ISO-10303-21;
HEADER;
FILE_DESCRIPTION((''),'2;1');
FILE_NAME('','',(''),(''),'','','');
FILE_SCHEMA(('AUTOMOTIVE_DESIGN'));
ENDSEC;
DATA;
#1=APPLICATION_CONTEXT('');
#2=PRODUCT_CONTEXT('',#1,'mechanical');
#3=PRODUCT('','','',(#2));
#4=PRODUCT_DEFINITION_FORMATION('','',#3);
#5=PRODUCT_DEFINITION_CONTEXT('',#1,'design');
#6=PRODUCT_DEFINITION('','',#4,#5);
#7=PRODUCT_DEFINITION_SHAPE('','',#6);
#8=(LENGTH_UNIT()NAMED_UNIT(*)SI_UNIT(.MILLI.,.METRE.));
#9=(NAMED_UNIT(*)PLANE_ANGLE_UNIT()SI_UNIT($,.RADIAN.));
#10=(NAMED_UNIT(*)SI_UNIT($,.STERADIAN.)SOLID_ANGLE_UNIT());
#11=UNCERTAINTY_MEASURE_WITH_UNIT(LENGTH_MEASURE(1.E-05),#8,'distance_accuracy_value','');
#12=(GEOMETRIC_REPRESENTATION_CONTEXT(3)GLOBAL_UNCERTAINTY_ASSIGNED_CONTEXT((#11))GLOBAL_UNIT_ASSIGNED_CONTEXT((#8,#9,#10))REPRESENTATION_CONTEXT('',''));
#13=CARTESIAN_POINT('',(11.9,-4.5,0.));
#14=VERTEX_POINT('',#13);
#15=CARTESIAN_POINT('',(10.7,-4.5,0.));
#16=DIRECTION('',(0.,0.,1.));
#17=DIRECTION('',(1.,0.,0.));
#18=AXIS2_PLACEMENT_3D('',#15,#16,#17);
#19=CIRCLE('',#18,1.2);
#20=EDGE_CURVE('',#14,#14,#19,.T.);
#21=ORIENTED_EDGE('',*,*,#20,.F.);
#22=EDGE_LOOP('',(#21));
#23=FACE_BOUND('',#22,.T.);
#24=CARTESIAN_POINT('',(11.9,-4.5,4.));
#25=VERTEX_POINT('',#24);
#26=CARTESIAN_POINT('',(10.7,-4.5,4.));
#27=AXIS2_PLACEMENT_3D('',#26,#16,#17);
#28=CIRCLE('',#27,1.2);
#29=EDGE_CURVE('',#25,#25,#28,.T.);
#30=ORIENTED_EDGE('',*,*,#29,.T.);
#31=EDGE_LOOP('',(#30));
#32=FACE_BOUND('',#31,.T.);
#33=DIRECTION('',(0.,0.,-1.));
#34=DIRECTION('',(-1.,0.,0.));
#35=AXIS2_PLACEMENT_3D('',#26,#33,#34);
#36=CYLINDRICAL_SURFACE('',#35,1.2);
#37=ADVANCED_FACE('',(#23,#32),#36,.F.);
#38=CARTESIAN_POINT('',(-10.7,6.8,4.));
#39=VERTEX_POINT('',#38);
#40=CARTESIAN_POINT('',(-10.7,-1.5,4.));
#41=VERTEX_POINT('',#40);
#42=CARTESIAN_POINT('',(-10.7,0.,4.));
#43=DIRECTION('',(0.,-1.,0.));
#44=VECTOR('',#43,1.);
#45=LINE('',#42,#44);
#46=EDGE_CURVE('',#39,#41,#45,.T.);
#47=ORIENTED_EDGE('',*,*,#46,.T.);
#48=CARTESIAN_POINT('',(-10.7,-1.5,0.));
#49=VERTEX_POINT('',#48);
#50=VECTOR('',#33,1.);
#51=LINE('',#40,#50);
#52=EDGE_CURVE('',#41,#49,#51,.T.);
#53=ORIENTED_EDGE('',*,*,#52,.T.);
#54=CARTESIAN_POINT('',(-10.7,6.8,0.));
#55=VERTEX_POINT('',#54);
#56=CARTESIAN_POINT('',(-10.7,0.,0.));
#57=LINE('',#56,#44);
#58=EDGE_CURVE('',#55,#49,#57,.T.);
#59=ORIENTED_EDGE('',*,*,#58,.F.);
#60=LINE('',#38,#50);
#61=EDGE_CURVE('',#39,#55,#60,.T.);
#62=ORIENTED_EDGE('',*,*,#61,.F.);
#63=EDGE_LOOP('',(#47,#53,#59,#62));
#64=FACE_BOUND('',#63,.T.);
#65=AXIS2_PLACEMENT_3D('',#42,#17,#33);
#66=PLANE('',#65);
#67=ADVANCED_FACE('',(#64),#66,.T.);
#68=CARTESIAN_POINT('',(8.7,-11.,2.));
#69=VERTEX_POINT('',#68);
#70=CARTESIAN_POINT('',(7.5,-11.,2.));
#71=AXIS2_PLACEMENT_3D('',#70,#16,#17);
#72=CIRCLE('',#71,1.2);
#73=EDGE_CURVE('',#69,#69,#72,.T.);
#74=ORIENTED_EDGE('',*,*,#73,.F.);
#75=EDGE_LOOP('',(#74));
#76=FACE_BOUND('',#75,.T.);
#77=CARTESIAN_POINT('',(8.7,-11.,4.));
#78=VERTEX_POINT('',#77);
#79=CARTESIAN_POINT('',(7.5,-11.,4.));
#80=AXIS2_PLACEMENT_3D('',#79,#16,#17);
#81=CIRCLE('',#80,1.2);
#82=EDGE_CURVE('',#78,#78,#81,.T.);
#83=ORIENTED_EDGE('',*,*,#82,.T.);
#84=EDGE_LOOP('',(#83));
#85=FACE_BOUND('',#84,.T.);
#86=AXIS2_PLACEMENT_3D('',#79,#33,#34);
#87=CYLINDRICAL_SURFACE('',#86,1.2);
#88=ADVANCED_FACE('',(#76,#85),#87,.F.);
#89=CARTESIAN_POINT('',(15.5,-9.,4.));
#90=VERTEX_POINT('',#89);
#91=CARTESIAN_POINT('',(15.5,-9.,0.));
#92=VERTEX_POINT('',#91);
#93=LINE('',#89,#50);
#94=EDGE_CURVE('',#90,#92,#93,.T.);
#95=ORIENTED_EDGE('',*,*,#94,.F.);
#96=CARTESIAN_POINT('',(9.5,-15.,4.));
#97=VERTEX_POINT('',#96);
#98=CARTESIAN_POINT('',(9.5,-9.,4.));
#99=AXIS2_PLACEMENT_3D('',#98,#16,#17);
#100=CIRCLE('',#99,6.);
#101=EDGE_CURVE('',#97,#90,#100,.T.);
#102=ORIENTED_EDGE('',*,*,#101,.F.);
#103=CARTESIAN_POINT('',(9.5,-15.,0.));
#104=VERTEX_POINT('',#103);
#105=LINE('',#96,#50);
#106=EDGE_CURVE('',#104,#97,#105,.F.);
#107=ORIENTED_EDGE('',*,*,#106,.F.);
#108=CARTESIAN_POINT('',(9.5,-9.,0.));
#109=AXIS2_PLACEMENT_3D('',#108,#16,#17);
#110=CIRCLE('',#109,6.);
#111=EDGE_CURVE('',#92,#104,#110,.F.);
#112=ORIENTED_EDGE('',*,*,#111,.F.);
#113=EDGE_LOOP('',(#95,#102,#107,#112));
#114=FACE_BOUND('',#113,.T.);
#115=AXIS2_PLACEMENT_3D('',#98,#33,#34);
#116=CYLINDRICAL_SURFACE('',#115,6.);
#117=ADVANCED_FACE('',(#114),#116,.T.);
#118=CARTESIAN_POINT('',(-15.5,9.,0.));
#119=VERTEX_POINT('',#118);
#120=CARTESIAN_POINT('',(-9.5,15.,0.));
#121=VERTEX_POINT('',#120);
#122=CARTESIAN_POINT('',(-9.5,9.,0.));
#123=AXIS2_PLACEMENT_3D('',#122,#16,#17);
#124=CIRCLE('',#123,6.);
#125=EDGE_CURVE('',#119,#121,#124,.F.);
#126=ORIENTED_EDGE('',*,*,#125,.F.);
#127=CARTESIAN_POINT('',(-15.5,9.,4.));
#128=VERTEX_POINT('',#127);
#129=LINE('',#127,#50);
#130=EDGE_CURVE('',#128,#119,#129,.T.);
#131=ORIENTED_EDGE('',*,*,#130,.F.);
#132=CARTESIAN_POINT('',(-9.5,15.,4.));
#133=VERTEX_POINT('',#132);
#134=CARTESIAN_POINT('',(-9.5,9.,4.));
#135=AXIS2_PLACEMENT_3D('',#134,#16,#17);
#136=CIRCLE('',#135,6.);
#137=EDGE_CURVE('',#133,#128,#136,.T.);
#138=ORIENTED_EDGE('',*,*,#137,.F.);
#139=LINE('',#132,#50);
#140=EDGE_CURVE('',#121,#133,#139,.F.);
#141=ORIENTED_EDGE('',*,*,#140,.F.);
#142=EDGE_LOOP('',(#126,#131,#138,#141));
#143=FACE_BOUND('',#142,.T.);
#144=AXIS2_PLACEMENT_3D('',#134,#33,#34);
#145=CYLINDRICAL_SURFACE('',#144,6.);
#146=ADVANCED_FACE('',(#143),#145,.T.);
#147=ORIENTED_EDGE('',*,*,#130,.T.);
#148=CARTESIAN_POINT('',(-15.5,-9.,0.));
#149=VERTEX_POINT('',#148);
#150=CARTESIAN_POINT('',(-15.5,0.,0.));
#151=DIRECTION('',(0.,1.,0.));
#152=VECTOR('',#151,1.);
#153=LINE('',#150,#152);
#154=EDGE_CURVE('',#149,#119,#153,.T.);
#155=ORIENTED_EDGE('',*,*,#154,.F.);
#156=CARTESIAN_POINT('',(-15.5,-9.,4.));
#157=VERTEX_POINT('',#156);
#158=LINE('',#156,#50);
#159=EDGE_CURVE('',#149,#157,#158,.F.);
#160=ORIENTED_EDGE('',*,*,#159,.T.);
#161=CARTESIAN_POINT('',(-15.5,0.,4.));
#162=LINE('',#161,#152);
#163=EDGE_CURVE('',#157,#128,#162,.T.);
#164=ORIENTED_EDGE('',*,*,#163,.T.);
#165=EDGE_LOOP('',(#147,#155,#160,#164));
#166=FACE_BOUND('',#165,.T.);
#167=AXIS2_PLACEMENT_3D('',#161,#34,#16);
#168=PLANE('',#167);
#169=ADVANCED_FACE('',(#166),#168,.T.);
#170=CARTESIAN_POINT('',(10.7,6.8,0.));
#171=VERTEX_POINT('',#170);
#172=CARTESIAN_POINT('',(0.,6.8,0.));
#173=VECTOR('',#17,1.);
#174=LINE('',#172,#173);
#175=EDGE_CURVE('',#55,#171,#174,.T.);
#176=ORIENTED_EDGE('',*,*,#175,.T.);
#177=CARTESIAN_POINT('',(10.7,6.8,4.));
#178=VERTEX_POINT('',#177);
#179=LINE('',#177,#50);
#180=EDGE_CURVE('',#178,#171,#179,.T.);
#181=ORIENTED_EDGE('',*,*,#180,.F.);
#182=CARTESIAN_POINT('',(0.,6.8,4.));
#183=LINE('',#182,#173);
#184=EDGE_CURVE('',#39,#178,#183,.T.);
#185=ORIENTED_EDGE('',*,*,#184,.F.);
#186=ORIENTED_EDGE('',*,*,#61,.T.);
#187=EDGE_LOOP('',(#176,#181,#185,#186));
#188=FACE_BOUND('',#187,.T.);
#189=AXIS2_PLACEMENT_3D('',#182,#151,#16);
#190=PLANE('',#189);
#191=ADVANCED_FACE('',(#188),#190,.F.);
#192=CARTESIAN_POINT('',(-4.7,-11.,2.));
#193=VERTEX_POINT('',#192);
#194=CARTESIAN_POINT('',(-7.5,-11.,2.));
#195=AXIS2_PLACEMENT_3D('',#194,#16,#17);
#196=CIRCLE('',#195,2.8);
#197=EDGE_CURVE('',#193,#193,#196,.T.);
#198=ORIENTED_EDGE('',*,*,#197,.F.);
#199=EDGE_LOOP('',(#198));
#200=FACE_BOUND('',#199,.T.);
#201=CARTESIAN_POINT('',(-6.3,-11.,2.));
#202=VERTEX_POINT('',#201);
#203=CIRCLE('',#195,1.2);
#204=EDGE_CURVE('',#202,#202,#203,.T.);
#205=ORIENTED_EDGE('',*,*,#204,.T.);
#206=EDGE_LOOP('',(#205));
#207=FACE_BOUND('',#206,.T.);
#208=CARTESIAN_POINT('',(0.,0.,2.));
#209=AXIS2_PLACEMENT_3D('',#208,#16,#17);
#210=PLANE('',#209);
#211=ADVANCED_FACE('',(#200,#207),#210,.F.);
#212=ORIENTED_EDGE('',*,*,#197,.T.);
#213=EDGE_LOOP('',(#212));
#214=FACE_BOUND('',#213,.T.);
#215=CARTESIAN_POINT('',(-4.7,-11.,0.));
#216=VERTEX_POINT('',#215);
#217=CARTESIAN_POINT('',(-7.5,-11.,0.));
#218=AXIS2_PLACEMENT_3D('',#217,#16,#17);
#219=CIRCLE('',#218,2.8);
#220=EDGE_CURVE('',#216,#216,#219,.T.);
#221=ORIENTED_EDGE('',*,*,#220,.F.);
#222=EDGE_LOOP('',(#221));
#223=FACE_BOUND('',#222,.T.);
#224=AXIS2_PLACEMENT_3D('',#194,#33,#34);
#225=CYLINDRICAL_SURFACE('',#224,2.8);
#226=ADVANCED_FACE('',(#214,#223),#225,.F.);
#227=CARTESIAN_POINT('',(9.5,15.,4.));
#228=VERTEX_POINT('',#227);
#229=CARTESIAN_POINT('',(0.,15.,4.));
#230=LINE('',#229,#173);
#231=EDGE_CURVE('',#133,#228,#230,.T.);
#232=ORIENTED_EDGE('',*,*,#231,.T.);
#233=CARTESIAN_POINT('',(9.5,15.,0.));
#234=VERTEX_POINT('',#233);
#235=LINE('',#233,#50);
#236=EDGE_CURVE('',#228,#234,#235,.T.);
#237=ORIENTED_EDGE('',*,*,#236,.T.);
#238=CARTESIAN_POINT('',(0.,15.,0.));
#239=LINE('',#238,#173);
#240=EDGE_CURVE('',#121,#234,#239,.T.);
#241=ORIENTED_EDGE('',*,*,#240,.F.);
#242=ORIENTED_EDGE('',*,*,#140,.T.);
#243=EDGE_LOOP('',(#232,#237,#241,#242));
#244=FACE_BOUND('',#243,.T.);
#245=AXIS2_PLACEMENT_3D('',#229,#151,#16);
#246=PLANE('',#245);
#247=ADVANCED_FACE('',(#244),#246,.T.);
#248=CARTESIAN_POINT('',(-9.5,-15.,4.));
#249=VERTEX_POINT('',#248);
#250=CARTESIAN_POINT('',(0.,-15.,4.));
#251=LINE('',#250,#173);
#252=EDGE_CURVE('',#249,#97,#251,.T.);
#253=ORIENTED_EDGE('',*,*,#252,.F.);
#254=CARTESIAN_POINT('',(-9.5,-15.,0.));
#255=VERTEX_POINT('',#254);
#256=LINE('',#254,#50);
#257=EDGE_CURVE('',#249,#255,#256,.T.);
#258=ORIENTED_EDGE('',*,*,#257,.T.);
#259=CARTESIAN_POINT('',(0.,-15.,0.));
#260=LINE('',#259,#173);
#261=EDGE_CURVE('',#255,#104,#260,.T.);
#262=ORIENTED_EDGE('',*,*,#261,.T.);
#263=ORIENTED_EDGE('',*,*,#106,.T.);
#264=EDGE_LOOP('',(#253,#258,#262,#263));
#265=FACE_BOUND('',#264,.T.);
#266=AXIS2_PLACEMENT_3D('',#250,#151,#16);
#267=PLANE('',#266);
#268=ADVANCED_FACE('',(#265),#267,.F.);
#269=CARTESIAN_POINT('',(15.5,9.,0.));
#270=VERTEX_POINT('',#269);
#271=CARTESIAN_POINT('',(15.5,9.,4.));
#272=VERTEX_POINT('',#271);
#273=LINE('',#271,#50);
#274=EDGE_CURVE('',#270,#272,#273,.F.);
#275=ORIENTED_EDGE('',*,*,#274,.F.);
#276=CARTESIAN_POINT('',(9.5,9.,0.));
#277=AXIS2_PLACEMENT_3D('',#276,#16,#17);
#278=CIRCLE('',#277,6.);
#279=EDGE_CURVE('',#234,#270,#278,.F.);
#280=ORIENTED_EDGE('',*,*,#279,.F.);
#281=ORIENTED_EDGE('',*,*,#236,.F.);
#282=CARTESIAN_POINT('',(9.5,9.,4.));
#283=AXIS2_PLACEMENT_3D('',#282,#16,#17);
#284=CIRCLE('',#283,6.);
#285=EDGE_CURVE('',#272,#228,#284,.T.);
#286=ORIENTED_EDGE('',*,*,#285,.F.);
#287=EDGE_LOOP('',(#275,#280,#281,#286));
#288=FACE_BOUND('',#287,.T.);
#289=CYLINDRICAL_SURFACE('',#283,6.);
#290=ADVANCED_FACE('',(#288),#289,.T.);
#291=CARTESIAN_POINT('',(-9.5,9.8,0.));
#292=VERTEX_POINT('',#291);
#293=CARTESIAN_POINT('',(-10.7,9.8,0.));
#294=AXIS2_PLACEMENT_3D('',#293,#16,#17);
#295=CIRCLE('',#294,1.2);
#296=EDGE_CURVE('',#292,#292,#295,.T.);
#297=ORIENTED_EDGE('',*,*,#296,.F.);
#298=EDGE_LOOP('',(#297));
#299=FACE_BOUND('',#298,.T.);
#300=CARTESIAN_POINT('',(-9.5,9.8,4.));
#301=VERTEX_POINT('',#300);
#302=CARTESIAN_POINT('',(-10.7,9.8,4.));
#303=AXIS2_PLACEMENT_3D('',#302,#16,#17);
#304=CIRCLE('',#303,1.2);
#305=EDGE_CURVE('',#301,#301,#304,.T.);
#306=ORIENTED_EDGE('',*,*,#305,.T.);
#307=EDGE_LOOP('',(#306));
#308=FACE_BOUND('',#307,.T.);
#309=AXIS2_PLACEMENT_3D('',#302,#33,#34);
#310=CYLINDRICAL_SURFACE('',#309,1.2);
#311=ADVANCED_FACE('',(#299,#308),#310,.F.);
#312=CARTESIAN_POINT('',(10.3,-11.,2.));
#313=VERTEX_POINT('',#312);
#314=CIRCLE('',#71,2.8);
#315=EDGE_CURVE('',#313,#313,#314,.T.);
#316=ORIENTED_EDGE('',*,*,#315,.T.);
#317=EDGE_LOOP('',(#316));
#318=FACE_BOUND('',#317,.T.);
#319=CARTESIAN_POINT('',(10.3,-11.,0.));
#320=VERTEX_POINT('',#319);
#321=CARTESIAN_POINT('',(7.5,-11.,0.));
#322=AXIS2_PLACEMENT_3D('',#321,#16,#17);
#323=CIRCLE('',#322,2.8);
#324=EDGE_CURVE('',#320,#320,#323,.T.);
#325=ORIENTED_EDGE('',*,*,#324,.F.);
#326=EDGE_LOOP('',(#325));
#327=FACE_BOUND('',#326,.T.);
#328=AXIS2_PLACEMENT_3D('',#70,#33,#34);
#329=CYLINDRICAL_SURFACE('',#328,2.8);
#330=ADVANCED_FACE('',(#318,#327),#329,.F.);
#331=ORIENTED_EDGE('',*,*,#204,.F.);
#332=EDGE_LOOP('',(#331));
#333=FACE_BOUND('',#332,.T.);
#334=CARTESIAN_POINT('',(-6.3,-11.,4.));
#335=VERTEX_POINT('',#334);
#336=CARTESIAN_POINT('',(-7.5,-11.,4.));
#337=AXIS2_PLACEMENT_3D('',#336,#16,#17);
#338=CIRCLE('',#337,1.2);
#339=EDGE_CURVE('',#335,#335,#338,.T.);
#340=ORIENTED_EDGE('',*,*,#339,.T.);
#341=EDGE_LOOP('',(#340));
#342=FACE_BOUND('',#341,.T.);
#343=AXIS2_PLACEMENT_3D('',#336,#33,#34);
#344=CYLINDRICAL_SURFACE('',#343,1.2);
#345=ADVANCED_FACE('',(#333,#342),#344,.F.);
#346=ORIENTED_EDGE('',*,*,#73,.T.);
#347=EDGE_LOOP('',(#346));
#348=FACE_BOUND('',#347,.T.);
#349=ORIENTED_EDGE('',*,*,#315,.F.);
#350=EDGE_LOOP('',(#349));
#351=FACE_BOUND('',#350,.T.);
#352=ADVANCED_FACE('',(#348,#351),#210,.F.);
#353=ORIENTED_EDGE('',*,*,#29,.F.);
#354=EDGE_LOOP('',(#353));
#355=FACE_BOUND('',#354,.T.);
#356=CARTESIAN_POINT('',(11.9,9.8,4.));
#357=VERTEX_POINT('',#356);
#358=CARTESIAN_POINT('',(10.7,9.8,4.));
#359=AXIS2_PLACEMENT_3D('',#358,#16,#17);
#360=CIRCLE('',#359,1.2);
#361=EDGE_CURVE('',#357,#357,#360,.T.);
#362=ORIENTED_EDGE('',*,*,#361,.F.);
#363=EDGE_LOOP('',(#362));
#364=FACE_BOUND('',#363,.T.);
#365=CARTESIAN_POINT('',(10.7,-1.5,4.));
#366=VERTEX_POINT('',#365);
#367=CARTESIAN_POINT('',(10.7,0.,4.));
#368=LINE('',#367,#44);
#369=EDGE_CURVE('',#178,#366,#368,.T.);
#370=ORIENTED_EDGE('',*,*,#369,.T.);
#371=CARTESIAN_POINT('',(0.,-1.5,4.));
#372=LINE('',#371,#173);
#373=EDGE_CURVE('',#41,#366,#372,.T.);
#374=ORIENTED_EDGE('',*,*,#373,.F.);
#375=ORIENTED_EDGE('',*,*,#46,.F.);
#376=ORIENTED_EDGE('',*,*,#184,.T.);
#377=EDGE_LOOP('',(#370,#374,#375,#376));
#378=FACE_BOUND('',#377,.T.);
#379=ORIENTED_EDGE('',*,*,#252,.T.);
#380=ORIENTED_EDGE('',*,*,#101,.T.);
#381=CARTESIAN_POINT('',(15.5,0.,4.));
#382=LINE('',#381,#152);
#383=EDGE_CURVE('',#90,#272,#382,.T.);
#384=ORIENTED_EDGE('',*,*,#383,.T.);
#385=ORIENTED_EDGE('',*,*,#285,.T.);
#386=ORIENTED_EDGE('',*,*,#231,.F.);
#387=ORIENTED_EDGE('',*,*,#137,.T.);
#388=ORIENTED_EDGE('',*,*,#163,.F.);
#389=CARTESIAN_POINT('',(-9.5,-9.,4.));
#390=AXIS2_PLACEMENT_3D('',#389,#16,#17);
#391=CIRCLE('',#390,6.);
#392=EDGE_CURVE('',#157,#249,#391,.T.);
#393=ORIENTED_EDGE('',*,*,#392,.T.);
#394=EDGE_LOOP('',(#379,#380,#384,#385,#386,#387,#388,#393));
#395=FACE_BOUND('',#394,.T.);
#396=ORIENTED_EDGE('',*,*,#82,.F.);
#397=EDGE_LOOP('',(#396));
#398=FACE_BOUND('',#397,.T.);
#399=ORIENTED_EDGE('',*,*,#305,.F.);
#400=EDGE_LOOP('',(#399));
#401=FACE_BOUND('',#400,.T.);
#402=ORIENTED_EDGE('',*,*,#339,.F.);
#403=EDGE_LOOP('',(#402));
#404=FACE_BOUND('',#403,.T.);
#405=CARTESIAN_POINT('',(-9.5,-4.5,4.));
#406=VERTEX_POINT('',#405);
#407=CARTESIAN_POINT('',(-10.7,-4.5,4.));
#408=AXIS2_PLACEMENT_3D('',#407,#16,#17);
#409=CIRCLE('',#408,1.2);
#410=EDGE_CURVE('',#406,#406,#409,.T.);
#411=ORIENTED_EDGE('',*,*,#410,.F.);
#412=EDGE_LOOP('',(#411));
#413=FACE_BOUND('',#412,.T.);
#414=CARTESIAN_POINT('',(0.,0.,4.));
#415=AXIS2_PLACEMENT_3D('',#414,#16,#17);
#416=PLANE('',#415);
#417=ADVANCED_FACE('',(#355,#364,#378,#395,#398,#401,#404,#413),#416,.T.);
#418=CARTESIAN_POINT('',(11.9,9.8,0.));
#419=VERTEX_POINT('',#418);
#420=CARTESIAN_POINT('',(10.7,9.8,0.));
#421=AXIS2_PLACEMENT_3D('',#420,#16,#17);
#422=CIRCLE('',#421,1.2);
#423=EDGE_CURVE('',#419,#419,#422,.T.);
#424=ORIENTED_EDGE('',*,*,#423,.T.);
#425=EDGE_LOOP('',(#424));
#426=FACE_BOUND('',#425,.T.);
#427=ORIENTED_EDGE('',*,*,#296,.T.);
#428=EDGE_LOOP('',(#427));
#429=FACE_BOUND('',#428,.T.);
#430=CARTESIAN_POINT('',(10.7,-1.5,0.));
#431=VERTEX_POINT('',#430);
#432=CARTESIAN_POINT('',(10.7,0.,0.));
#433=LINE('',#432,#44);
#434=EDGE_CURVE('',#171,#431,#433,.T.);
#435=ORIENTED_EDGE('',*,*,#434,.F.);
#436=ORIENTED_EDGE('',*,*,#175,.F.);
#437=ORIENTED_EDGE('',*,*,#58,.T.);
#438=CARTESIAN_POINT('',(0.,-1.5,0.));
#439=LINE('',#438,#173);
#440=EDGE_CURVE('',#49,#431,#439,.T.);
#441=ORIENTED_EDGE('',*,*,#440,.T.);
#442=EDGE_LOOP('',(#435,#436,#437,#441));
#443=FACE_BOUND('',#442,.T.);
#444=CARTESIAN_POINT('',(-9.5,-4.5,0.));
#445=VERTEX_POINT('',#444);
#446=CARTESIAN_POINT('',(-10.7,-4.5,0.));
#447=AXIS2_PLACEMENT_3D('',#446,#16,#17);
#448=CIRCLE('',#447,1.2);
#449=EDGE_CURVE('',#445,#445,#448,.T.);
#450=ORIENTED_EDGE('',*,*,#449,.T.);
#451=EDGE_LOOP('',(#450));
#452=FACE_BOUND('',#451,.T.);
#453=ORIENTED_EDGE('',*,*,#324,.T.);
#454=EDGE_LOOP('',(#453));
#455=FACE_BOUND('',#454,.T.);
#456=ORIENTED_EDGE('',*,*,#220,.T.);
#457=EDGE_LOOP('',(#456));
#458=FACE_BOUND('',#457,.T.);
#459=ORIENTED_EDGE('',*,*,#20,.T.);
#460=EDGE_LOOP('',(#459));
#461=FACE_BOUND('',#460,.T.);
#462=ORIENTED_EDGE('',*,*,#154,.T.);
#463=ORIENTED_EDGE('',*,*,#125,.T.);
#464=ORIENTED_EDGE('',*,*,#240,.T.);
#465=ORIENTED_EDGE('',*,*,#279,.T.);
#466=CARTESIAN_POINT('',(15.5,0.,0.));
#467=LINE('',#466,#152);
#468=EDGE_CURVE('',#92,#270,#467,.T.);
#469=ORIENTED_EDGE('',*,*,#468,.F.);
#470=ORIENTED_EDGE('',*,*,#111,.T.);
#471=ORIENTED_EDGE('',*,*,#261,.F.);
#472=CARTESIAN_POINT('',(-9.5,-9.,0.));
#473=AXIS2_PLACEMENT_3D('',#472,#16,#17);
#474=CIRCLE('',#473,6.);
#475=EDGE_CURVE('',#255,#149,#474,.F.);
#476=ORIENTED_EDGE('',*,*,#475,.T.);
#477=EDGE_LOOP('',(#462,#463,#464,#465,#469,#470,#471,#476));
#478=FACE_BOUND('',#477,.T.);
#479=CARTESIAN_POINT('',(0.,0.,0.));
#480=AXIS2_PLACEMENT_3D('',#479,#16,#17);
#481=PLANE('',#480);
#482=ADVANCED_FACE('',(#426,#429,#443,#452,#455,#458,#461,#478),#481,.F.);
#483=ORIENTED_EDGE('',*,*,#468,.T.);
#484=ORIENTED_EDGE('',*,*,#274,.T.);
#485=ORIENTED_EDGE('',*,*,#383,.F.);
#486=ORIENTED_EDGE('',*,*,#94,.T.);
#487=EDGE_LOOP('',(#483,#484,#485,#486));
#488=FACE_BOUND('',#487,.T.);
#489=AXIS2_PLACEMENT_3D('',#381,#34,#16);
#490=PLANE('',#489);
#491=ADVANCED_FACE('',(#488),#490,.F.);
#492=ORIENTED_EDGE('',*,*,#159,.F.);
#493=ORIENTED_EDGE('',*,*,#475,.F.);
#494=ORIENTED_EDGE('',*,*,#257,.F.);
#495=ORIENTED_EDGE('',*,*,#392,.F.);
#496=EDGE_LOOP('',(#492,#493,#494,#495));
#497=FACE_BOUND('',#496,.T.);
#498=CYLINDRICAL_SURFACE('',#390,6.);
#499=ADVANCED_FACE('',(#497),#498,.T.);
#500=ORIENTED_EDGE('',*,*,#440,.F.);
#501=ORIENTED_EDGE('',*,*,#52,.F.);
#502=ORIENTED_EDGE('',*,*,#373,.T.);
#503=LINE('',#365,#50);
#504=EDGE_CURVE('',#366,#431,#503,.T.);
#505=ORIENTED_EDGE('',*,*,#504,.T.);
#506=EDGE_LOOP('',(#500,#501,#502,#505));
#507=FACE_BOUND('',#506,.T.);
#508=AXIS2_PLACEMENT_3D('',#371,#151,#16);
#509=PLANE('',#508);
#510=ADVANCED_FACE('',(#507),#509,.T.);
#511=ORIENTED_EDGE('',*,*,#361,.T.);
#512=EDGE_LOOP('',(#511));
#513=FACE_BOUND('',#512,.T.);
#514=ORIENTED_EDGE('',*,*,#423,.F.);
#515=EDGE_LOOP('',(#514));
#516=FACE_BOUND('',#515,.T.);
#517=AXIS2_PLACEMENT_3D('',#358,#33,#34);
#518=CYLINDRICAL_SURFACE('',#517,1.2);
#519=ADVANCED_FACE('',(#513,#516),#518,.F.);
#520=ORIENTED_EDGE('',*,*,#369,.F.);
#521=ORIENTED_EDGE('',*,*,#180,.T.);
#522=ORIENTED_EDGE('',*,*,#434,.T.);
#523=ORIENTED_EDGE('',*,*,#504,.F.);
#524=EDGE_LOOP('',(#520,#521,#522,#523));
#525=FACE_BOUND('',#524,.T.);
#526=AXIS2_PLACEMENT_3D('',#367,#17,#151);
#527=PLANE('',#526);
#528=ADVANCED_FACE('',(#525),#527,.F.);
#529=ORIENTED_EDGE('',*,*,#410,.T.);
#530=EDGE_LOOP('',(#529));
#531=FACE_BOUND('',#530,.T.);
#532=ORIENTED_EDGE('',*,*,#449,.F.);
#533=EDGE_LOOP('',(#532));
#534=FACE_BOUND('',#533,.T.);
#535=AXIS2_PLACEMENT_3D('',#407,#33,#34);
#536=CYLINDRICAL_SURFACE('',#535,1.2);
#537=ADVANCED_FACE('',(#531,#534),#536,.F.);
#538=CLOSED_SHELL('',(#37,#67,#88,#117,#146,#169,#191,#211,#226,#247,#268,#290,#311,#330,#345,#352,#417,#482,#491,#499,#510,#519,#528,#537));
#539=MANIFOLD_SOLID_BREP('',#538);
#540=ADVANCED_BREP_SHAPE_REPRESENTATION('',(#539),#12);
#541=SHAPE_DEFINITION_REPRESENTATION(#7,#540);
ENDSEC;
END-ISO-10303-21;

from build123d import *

# Parameters (mm, degrees)
SKETCH1_W           = 31
SKETCH1_H           = 30
SKETCH1_R           = 1.2
SKETCH1_W_2         = 21.4
SKETCH1_H_2         = 8.3
BOSS_EXTRUDE1_DEPTH = 4
SKETCH1_6_R         = 2.8
SKETCH1_6_R_2       = 1.2
CUT_EXTRUDE1_DEPTH  = 2
FILLET1_R           = 6


with BuildPart() as part:
    # Sketch1 → Boss-Extrude1 (new body)
    with BuildSketch(Plane.XY):
        Rectangle(SKETCH1_W, SKETCH1_H)
        with Locations((-10.7, 9.8)):
            Circle(SKETCH1_R, mode=Mode.SUBTRACT)
        with Locations((10.7, 9.8)):
            Circle(SKETCH1_R, mode=Mode.SUBTRACT)
        with Locations((10.7, -4.5)):
            Circle(SKETCH1_R, mode=Mode.SUBTRACT)
        with Locations((-10.7, -4.5)):
            Circle(SKETCH1_R, mode=Mode.SUBTRACT)
        with Locations((-7.5, -11)):
            Circle(SKETCH1_R, mode=Mode.SUBTRACT)
        with Locations((7.5, -11)):
            Circle(SKETCH1_R, mode=Mode.SUBTRACT)
        with Locations((0, 2.65)):
            Rectangle(SKETCH1_W_2, SKETCH1_H_2, mode=Mode.SUBTRACT)
    extrude(amount=BOSS_EXTRUDE1_DEPTH)

    # Sketch1<6> → Cut-Extrude1 (cut)
    # profile 1 of 2: a face of its own
    with BuildSketch(Plane.XY):
        with Locations((-7.5, -11)):
            Circle(SKETCH1_6_R)
        with Locations((-7.5, -11)):
            Circle(SKETCH1_6_R_2, mode=Mode.SUBTRACT)
    # profile 2 of 2: a face of its own
    with BuildSketch(Plane.XY):
        with Locations((7.5, -11)):
            Circle(SKETCH1_6_R)
        with Locations((7.5, -11)):
            Circle(SKETCH1_6_R_2, mode=Mode.SUBTRACT)
    extrude(amount=CUT_EXTRUDE1_DEPTH, mode=Mode.SUBTRACT)

    # Fillet1
    fillet1_edges = [part.edges().sort_by_distance(p)[0] for p in [
        (-15.5, -15, 2),
        (-15.5, 15, 2),
        (15.5, 15, 2),
        (15.5, -15, 2),
    ]]
    fillet(fillet1_edges, radius=FILLET1_R)


solid = part.part
